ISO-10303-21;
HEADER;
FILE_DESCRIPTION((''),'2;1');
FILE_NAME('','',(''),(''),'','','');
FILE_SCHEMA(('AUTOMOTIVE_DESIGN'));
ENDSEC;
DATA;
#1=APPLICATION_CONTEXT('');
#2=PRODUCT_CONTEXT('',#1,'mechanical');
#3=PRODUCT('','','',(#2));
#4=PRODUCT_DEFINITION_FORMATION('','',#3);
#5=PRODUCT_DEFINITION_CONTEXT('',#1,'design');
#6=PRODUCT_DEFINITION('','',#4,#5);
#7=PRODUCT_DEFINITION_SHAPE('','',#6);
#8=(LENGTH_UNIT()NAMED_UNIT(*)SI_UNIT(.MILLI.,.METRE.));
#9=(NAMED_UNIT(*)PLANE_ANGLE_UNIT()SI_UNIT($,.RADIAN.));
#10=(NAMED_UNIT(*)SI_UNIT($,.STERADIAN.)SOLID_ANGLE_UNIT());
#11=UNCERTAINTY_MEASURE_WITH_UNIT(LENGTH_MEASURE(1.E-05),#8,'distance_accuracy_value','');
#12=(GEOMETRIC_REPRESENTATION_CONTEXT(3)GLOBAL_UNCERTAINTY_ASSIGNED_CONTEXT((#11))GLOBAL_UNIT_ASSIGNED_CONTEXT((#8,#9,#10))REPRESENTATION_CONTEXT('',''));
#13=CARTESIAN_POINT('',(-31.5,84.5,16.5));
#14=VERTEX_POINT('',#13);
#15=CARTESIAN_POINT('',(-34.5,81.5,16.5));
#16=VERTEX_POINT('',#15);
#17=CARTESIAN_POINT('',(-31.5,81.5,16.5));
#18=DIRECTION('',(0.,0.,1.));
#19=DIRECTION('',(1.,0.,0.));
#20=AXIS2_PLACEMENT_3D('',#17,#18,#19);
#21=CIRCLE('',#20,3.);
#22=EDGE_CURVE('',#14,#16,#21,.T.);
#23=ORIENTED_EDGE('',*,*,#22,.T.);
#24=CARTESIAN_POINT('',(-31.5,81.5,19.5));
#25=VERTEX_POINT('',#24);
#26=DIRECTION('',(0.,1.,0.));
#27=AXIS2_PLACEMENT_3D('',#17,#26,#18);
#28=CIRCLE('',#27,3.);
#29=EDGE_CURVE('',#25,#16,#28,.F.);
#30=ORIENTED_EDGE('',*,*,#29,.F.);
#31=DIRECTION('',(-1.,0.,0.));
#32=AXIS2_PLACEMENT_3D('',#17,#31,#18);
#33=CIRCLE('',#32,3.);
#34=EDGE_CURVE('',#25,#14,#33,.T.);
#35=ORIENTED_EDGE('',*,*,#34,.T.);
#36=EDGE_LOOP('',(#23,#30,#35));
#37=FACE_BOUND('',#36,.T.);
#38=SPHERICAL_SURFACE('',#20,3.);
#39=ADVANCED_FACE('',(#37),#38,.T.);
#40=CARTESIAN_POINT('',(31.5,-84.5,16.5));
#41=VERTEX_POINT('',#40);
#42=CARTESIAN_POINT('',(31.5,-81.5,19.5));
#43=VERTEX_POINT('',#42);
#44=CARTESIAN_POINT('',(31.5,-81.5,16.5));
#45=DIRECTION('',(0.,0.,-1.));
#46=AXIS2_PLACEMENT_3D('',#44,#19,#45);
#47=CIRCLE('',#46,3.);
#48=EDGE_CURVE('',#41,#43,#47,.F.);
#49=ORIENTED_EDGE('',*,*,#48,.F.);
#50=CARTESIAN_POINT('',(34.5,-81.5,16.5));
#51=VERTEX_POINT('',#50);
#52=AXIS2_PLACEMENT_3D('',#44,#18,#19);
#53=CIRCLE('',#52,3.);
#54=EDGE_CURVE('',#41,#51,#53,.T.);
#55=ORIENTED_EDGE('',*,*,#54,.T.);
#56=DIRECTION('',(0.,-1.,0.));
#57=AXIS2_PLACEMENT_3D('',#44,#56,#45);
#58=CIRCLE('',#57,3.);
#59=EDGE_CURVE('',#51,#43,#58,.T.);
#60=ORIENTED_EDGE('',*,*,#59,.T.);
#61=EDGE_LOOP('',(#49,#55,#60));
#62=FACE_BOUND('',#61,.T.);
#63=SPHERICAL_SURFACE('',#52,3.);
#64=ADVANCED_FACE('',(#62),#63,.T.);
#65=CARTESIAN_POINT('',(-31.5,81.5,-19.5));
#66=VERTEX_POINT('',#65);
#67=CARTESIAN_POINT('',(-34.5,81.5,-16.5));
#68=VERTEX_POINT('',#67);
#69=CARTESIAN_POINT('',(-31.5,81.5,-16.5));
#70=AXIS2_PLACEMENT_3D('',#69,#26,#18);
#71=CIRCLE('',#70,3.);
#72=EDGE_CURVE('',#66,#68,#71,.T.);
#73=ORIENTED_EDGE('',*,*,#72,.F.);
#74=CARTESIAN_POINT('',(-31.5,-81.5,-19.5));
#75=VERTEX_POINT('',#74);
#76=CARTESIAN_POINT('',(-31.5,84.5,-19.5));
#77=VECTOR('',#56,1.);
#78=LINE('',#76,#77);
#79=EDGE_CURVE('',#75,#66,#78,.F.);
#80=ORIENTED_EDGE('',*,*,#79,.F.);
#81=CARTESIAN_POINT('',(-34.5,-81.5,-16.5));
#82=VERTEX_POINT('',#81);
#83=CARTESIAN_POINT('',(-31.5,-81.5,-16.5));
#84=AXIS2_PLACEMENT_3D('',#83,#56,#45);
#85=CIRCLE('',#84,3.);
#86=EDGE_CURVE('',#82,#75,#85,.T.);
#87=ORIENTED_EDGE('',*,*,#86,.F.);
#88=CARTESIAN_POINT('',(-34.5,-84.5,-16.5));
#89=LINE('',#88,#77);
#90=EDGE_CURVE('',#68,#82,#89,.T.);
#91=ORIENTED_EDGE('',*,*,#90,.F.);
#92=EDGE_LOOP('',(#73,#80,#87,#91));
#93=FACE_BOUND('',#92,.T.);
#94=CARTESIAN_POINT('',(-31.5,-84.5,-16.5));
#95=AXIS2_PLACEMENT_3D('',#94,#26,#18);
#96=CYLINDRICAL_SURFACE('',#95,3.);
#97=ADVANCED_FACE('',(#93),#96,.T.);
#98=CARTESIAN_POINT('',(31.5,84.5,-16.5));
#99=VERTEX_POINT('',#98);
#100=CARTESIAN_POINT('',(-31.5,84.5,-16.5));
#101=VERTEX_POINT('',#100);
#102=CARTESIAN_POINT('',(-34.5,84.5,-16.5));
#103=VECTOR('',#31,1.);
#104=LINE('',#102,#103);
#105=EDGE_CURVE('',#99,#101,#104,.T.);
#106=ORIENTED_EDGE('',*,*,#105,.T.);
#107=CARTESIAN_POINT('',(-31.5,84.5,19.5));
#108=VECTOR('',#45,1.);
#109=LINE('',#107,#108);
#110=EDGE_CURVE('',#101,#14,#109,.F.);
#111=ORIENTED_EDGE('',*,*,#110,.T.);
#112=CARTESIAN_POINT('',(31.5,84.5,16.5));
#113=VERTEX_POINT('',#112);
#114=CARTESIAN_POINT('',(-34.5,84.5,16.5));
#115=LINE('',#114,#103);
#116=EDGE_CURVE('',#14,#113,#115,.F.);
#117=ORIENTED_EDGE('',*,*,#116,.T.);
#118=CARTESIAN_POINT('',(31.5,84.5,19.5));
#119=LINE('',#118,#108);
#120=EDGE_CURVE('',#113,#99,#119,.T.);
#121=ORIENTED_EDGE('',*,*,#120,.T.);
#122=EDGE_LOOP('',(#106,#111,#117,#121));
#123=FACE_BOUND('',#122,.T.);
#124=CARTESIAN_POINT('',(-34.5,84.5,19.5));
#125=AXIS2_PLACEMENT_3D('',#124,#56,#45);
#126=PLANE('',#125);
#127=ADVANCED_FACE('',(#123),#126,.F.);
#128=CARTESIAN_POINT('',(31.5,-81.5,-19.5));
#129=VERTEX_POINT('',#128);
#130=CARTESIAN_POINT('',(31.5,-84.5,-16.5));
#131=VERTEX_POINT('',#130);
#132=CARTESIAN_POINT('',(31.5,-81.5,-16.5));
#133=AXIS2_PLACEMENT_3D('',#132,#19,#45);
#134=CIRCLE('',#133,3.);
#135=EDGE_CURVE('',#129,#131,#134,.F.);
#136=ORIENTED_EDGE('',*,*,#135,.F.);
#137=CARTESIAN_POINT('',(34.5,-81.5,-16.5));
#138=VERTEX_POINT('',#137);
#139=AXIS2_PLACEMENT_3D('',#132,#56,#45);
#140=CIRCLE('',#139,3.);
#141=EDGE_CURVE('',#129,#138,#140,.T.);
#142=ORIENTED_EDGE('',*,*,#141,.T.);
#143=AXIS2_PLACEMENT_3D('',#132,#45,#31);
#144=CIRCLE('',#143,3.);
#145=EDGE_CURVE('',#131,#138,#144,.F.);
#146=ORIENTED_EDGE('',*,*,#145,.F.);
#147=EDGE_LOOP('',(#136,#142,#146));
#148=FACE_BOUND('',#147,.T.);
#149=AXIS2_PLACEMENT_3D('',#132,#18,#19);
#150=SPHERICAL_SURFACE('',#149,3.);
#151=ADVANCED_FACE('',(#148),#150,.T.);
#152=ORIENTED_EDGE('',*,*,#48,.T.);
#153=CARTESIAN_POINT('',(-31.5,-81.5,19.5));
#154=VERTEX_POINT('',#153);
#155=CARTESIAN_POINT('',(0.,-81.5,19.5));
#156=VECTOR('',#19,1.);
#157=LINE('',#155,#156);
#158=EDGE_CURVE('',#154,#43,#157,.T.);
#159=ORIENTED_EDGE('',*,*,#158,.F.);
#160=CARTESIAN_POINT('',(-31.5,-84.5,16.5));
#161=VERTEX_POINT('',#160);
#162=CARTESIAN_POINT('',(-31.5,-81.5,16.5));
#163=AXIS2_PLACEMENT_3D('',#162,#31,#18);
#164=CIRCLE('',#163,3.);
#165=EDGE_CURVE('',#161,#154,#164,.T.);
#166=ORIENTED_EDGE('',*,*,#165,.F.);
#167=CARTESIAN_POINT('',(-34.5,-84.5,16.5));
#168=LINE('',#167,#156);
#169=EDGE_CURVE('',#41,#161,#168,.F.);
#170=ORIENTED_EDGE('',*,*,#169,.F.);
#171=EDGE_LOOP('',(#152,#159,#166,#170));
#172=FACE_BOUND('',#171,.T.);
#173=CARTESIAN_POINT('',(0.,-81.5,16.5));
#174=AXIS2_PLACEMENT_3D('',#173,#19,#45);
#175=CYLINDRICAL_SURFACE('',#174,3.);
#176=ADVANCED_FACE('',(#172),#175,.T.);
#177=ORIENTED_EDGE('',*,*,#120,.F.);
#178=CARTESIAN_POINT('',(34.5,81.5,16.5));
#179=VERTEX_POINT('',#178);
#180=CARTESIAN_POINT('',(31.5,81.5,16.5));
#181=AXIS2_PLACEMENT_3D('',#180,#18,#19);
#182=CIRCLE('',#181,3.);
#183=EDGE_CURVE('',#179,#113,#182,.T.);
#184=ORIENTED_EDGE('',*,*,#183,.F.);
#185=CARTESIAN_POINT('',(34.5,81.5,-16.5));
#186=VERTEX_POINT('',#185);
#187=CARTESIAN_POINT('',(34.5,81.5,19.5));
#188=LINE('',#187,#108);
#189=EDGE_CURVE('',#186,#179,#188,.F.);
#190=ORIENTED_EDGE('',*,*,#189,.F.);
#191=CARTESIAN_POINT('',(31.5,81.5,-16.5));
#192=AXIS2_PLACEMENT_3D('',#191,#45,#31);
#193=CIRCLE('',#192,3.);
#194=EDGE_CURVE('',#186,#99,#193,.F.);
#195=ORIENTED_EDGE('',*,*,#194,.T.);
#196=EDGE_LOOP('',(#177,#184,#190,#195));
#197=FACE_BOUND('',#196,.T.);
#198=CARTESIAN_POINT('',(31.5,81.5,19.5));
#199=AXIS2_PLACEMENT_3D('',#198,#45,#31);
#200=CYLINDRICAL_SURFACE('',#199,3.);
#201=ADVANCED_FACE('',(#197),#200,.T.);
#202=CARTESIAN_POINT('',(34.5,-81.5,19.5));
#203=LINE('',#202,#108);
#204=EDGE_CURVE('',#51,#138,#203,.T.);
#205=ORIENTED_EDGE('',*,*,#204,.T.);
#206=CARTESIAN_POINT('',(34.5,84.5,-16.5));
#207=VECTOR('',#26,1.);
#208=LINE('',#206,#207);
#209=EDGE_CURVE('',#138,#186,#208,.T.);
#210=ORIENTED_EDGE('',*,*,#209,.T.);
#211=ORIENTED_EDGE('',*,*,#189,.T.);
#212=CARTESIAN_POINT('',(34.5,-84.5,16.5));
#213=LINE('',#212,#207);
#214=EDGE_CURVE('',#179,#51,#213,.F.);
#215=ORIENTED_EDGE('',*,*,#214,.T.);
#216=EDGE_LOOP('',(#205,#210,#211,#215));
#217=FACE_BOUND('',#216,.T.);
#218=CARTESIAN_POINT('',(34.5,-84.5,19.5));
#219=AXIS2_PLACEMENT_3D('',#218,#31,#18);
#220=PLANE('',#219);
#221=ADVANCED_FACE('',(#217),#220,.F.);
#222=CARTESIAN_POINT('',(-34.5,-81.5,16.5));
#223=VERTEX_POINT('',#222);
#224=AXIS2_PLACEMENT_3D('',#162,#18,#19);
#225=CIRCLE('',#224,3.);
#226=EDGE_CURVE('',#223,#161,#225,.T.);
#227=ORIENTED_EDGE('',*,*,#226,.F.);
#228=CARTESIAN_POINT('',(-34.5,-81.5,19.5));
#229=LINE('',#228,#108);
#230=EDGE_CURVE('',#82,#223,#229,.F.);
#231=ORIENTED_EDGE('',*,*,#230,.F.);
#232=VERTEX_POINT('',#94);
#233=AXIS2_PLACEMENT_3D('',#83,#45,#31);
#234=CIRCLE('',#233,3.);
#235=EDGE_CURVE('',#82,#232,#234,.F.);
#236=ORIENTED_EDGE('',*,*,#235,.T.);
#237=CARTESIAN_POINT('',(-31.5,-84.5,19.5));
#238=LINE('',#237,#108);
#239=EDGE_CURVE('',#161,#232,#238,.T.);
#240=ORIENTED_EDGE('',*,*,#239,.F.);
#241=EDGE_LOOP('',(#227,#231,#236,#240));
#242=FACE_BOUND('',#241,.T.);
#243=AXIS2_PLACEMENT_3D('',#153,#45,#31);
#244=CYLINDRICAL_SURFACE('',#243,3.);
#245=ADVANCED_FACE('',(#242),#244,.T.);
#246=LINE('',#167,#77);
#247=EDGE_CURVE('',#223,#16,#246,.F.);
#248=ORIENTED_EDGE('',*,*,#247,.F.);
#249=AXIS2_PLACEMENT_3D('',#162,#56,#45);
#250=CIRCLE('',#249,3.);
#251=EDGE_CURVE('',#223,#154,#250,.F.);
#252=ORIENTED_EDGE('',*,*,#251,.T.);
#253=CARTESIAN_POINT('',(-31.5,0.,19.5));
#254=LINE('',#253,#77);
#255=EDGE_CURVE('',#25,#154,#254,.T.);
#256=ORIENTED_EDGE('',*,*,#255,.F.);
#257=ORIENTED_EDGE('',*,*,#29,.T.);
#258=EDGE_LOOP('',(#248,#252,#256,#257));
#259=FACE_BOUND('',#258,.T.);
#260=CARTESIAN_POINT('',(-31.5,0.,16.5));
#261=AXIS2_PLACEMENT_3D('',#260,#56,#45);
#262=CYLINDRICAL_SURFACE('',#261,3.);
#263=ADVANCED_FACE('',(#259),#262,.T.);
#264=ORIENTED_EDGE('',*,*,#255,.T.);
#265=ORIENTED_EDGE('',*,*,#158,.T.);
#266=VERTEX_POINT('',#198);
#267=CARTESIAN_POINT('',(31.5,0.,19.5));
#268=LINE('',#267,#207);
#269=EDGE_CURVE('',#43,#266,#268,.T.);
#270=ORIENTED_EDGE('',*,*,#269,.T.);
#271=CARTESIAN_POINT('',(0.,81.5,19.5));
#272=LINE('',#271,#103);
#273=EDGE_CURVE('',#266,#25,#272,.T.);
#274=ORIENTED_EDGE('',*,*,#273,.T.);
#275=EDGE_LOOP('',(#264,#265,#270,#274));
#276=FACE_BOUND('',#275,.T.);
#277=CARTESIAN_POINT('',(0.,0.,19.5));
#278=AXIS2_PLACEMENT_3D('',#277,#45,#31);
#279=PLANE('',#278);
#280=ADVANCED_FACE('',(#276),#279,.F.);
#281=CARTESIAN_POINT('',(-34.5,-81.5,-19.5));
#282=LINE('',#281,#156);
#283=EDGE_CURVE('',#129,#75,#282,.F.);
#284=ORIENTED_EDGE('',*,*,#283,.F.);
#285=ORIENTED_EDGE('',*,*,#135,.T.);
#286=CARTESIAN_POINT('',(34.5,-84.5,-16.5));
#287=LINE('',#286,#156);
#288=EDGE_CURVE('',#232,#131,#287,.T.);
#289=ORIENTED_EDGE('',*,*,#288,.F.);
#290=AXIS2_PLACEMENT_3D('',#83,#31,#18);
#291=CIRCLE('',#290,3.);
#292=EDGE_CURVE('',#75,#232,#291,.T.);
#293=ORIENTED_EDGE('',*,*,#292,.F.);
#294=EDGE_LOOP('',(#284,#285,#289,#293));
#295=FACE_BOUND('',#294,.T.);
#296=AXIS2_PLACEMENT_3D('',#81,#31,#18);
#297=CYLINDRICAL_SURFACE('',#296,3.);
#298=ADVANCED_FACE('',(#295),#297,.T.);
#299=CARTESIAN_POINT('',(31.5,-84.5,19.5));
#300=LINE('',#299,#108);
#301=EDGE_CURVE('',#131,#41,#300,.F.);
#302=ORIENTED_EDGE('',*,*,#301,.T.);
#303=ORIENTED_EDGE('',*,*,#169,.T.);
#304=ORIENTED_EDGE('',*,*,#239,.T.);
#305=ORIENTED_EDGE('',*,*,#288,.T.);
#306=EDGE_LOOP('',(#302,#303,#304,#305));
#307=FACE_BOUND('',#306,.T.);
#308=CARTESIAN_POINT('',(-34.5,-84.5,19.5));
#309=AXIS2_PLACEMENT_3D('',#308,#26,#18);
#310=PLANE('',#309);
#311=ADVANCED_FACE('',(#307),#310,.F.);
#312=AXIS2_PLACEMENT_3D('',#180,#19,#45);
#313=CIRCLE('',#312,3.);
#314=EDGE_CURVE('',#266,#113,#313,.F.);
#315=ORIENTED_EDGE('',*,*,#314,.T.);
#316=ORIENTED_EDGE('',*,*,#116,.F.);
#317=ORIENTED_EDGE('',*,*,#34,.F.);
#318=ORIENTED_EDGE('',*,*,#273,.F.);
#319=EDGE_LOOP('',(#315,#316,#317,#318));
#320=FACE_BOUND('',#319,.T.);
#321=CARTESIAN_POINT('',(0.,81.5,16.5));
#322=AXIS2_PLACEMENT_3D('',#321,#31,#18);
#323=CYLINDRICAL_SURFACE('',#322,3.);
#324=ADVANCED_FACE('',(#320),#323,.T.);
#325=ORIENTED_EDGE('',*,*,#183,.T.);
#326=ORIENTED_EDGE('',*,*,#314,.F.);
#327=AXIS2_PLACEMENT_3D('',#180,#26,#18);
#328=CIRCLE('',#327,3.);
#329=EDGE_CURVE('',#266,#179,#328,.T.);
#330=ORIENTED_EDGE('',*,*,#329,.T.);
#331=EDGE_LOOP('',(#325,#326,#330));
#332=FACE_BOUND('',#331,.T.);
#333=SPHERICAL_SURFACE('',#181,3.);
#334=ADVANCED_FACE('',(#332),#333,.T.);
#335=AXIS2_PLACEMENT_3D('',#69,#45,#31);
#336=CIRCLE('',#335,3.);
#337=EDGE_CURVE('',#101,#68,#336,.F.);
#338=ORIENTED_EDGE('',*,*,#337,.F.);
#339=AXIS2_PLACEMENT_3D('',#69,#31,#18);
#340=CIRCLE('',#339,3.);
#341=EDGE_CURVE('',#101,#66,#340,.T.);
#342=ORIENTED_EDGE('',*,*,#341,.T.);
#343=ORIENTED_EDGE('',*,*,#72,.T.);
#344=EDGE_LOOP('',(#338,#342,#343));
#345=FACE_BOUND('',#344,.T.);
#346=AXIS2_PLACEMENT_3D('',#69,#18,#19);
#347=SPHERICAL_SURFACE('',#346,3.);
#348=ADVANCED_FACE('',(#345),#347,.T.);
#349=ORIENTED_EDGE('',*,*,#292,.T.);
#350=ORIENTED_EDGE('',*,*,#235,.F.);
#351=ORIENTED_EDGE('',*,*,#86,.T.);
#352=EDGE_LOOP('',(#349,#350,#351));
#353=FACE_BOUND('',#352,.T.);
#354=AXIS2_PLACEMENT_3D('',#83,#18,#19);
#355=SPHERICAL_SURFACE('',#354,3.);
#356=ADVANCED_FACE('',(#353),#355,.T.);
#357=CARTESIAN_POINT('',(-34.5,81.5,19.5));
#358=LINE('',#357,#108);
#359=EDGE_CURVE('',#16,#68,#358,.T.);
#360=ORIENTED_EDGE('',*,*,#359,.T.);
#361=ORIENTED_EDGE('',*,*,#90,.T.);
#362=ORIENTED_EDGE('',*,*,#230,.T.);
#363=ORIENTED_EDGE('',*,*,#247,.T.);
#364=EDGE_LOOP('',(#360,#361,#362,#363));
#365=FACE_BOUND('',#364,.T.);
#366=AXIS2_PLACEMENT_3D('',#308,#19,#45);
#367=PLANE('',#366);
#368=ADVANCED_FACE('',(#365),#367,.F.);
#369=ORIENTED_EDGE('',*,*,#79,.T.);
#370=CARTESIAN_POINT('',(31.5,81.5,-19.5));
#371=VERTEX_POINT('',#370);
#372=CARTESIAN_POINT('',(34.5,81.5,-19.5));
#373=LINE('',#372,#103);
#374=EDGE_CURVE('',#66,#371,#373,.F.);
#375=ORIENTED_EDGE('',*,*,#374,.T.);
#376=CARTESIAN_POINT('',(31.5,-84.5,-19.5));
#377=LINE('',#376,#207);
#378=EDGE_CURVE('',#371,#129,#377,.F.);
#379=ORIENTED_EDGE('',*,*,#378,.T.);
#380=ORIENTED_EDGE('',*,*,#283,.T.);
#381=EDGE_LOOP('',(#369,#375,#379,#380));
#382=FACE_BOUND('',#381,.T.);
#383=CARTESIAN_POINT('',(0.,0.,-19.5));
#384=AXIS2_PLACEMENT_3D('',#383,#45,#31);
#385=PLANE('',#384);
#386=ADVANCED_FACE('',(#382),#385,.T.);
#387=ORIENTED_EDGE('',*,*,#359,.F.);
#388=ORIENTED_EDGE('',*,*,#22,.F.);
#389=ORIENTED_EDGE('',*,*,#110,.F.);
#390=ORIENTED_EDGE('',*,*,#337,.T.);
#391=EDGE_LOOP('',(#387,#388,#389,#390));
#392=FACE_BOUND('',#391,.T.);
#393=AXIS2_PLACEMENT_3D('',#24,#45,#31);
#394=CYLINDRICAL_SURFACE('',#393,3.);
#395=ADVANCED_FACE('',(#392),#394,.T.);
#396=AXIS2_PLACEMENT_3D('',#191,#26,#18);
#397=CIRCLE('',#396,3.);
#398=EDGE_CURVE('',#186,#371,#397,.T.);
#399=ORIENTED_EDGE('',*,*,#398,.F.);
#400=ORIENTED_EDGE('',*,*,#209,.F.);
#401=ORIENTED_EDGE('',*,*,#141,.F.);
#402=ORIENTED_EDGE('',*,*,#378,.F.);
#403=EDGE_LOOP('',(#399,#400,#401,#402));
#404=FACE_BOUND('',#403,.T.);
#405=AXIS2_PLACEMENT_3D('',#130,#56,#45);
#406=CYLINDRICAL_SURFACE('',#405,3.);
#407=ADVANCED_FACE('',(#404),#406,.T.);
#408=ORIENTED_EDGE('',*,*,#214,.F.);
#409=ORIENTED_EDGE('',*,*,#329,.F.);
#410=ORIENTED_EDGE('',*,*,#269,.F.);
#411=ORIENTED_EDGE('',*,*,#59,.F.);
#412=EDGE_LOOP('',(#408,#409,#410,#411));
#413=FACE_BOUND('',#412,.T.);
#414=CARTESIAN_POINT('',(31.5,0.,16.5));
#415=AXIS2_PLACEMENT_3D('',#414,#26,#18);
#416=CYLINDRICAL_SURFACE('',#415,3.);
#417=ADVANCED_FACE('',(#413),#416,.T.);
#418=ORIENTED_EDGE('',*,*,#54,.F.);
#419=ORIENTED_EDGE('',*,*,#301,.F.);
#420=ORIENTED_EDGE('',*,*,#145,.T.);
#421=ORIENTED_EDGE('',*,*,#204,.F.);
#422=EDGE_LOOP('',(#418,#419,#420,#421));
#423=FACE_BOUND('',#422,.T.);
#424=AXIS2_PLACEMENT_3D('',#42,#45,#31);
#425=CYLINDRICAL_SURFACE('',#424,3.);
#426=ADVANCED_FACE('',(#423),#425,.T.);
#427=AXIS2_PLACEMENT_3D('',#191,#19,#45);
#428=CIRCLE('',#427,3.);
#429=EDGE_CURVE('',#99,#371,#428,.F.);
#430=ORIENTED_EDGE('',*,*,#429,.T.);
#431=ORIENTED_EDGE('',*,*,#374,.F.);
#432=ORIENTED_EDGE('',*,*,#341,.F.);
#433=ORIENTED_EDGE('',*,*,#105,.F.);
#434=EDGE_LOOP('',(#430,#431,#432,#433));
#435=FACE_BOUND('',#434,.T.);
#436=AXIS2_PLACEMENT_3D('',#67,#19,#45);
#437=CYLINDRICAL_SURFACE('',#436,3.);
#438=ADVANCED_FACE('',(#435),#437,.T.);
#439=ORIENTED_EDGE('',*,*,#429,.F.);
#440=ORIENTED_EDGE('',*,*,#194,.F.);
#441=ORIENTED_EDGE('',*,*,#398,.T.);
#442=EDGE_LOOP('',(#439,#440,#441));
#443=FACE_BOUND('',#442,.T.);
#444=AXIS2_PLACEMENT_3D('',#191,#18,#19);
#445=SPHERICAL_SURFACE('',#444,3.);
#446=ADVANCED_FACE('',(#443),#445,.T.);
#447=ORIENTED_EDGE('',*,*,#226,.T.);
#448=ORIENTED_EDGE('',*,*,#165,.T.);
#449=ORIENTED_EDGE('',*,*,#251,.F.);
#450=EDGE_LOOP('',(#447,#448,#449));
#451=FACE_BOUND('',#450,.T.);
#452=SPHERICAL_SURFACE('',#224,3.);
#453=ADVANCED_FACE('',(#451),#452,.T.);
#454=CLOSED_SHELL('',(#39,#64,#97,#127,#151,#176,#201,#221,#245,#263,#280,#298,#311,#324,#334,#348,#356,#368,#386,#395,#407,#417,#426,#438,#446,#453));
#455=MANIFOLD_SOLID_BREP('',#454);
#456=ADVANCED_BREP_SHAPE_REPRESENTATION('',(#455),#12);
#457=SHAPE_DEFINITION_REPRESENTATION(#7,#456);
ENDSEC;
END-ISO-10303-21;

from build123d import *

# Parameters (mm, degrees)
SKETCH1_W           = 69
SKETCH1_H           = 169
BOSS_EXTRUDE1_DEPTH = 19.5
FILLET1_R           = 3


with BuildPart() as part:
    # Sketch1 → Boss-Extrude1 (new, symmetric)
    with BuildSketch(Plane.XY):
        Rectangle(SKETCH1_W, SKETCH1_H)
    extrude(amount=BOSS_EXTRUDE1_DEPTH, both=True)

    # Fillet1
    fillet1_edges = [part.edges().sort_by_distance(p)[0] for p in [
        (-34.5, 0, 19.5),
        (0, -84.5, 19.5),
        (34.5, 0, 19.5),
        (0, -84.5, -19.5),
        (-34.5, 0, -19.5),
        (0, 84.5, -19.5),
        (34.5, 0, -19.5),
        (0, 84.5, 19.5),
        (34.5, -84.5, 0),
        (-34.5, -84.5, 0),
        (-34.5, 84.5, 0),
        (34.5, 84.5, 0),
    ]]
    fillet(fillet1_edges, radius=FILLET1_R)


solid = part.part
